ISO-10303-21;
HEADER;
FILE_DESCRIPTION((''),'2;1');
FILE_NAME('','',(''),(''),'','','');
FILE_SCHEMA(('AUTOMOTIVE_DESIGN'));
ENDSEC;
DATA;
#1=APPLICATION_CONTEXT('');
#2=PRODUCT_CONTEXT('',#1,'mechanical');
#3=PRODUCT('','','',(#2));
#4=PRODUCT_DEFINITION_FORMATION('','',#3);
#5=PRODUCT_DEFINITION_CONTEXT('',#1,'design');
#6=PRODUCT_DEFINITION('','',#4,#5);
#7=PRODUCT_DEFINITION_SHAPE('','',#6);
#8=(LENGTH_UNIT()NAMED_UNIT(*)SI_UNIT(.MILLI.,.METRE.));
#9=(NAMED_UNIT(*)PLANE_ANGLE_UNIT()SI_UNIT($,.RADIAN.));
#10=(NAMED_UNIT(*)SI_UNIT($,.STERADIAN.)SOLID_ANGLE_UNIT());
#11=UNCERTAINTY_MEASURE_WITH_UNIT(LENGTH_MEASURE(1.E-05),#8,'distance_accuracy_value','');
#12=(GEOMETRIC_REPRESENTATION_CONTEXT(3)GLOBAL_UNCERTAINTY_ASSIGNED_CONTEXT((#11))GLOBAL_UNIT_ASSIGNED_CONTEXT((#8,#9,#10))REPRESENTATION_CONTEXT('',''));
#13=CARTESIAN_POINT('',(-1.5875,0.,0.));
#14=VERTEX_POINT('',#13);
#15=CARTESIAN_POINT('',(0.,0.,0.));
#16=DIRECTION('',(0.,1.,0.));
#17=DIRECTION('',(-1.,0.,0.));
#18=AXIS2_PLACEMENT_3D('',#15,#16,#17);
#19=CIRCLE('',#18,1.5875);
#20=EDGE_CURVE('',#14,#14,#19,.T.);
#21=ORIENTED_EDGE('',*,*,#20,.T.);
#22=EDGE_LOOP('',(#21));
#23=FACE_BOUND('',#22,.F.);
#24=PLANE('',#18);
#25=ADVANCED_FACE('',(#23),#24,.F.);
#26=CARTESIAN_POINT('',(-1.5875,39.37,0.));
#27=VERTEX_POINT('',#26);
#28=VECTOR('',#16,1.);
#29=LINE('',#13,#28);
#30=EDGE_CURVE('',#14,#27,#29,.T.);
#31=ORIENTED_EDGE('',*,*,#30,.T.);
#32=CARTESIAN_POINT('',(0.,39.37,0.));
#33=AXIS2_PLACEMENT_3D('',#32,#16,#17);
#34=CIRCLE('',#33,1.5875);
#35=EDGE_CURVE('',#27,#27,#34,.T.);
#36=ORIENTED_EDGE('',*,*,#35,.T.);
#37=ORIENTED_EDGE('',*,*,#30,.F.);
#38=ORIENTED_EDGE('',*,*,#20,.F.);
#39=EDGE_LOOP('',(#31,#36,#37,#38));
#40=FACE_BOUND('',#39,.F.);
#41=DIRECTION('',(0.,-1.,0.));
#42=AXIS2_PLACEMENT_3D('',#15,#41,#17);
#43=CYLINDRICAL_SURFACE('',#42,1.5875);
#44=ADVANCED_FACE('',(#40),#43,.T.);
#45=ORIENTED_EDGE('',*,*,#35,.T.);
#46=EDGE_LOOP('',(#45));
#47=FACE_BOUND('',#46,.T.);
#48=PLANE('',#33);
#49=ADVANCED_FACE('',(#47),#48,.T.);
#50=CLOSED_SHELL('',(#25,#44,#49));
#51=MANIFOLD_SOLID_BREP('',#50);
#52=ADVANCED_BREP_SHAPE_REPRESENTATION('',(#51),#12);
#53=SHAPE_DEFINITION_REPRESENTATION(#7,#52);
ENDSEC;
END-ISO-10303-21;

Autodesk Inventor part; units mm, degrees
ref_plane "YZ Plane" through (0, 0, 0) normal (1, 0, 0) x (0, 1, 0)
ref_plane "XZ Plane" through (0, 0, 0) normal (0, 1, 0) x (-1, 0, 0)
ref_plane "XY Plane" through (0, 0, 0) normal (0, 0, 1) x (1, 0, 0)
sketch "Sketch3" plane through (0, 0, 0) normal (0, 1, 0) x (-1, 0, 0)
  circle A0 centre (0, 0) radius 1.5875
  dimension "d7" = 3.175
extrude "Extrusion1" add sketch "Sketch3" along normal blind 39.37
properties part number ".125InchServoDrivenShaft" material "Stainless Steel"
